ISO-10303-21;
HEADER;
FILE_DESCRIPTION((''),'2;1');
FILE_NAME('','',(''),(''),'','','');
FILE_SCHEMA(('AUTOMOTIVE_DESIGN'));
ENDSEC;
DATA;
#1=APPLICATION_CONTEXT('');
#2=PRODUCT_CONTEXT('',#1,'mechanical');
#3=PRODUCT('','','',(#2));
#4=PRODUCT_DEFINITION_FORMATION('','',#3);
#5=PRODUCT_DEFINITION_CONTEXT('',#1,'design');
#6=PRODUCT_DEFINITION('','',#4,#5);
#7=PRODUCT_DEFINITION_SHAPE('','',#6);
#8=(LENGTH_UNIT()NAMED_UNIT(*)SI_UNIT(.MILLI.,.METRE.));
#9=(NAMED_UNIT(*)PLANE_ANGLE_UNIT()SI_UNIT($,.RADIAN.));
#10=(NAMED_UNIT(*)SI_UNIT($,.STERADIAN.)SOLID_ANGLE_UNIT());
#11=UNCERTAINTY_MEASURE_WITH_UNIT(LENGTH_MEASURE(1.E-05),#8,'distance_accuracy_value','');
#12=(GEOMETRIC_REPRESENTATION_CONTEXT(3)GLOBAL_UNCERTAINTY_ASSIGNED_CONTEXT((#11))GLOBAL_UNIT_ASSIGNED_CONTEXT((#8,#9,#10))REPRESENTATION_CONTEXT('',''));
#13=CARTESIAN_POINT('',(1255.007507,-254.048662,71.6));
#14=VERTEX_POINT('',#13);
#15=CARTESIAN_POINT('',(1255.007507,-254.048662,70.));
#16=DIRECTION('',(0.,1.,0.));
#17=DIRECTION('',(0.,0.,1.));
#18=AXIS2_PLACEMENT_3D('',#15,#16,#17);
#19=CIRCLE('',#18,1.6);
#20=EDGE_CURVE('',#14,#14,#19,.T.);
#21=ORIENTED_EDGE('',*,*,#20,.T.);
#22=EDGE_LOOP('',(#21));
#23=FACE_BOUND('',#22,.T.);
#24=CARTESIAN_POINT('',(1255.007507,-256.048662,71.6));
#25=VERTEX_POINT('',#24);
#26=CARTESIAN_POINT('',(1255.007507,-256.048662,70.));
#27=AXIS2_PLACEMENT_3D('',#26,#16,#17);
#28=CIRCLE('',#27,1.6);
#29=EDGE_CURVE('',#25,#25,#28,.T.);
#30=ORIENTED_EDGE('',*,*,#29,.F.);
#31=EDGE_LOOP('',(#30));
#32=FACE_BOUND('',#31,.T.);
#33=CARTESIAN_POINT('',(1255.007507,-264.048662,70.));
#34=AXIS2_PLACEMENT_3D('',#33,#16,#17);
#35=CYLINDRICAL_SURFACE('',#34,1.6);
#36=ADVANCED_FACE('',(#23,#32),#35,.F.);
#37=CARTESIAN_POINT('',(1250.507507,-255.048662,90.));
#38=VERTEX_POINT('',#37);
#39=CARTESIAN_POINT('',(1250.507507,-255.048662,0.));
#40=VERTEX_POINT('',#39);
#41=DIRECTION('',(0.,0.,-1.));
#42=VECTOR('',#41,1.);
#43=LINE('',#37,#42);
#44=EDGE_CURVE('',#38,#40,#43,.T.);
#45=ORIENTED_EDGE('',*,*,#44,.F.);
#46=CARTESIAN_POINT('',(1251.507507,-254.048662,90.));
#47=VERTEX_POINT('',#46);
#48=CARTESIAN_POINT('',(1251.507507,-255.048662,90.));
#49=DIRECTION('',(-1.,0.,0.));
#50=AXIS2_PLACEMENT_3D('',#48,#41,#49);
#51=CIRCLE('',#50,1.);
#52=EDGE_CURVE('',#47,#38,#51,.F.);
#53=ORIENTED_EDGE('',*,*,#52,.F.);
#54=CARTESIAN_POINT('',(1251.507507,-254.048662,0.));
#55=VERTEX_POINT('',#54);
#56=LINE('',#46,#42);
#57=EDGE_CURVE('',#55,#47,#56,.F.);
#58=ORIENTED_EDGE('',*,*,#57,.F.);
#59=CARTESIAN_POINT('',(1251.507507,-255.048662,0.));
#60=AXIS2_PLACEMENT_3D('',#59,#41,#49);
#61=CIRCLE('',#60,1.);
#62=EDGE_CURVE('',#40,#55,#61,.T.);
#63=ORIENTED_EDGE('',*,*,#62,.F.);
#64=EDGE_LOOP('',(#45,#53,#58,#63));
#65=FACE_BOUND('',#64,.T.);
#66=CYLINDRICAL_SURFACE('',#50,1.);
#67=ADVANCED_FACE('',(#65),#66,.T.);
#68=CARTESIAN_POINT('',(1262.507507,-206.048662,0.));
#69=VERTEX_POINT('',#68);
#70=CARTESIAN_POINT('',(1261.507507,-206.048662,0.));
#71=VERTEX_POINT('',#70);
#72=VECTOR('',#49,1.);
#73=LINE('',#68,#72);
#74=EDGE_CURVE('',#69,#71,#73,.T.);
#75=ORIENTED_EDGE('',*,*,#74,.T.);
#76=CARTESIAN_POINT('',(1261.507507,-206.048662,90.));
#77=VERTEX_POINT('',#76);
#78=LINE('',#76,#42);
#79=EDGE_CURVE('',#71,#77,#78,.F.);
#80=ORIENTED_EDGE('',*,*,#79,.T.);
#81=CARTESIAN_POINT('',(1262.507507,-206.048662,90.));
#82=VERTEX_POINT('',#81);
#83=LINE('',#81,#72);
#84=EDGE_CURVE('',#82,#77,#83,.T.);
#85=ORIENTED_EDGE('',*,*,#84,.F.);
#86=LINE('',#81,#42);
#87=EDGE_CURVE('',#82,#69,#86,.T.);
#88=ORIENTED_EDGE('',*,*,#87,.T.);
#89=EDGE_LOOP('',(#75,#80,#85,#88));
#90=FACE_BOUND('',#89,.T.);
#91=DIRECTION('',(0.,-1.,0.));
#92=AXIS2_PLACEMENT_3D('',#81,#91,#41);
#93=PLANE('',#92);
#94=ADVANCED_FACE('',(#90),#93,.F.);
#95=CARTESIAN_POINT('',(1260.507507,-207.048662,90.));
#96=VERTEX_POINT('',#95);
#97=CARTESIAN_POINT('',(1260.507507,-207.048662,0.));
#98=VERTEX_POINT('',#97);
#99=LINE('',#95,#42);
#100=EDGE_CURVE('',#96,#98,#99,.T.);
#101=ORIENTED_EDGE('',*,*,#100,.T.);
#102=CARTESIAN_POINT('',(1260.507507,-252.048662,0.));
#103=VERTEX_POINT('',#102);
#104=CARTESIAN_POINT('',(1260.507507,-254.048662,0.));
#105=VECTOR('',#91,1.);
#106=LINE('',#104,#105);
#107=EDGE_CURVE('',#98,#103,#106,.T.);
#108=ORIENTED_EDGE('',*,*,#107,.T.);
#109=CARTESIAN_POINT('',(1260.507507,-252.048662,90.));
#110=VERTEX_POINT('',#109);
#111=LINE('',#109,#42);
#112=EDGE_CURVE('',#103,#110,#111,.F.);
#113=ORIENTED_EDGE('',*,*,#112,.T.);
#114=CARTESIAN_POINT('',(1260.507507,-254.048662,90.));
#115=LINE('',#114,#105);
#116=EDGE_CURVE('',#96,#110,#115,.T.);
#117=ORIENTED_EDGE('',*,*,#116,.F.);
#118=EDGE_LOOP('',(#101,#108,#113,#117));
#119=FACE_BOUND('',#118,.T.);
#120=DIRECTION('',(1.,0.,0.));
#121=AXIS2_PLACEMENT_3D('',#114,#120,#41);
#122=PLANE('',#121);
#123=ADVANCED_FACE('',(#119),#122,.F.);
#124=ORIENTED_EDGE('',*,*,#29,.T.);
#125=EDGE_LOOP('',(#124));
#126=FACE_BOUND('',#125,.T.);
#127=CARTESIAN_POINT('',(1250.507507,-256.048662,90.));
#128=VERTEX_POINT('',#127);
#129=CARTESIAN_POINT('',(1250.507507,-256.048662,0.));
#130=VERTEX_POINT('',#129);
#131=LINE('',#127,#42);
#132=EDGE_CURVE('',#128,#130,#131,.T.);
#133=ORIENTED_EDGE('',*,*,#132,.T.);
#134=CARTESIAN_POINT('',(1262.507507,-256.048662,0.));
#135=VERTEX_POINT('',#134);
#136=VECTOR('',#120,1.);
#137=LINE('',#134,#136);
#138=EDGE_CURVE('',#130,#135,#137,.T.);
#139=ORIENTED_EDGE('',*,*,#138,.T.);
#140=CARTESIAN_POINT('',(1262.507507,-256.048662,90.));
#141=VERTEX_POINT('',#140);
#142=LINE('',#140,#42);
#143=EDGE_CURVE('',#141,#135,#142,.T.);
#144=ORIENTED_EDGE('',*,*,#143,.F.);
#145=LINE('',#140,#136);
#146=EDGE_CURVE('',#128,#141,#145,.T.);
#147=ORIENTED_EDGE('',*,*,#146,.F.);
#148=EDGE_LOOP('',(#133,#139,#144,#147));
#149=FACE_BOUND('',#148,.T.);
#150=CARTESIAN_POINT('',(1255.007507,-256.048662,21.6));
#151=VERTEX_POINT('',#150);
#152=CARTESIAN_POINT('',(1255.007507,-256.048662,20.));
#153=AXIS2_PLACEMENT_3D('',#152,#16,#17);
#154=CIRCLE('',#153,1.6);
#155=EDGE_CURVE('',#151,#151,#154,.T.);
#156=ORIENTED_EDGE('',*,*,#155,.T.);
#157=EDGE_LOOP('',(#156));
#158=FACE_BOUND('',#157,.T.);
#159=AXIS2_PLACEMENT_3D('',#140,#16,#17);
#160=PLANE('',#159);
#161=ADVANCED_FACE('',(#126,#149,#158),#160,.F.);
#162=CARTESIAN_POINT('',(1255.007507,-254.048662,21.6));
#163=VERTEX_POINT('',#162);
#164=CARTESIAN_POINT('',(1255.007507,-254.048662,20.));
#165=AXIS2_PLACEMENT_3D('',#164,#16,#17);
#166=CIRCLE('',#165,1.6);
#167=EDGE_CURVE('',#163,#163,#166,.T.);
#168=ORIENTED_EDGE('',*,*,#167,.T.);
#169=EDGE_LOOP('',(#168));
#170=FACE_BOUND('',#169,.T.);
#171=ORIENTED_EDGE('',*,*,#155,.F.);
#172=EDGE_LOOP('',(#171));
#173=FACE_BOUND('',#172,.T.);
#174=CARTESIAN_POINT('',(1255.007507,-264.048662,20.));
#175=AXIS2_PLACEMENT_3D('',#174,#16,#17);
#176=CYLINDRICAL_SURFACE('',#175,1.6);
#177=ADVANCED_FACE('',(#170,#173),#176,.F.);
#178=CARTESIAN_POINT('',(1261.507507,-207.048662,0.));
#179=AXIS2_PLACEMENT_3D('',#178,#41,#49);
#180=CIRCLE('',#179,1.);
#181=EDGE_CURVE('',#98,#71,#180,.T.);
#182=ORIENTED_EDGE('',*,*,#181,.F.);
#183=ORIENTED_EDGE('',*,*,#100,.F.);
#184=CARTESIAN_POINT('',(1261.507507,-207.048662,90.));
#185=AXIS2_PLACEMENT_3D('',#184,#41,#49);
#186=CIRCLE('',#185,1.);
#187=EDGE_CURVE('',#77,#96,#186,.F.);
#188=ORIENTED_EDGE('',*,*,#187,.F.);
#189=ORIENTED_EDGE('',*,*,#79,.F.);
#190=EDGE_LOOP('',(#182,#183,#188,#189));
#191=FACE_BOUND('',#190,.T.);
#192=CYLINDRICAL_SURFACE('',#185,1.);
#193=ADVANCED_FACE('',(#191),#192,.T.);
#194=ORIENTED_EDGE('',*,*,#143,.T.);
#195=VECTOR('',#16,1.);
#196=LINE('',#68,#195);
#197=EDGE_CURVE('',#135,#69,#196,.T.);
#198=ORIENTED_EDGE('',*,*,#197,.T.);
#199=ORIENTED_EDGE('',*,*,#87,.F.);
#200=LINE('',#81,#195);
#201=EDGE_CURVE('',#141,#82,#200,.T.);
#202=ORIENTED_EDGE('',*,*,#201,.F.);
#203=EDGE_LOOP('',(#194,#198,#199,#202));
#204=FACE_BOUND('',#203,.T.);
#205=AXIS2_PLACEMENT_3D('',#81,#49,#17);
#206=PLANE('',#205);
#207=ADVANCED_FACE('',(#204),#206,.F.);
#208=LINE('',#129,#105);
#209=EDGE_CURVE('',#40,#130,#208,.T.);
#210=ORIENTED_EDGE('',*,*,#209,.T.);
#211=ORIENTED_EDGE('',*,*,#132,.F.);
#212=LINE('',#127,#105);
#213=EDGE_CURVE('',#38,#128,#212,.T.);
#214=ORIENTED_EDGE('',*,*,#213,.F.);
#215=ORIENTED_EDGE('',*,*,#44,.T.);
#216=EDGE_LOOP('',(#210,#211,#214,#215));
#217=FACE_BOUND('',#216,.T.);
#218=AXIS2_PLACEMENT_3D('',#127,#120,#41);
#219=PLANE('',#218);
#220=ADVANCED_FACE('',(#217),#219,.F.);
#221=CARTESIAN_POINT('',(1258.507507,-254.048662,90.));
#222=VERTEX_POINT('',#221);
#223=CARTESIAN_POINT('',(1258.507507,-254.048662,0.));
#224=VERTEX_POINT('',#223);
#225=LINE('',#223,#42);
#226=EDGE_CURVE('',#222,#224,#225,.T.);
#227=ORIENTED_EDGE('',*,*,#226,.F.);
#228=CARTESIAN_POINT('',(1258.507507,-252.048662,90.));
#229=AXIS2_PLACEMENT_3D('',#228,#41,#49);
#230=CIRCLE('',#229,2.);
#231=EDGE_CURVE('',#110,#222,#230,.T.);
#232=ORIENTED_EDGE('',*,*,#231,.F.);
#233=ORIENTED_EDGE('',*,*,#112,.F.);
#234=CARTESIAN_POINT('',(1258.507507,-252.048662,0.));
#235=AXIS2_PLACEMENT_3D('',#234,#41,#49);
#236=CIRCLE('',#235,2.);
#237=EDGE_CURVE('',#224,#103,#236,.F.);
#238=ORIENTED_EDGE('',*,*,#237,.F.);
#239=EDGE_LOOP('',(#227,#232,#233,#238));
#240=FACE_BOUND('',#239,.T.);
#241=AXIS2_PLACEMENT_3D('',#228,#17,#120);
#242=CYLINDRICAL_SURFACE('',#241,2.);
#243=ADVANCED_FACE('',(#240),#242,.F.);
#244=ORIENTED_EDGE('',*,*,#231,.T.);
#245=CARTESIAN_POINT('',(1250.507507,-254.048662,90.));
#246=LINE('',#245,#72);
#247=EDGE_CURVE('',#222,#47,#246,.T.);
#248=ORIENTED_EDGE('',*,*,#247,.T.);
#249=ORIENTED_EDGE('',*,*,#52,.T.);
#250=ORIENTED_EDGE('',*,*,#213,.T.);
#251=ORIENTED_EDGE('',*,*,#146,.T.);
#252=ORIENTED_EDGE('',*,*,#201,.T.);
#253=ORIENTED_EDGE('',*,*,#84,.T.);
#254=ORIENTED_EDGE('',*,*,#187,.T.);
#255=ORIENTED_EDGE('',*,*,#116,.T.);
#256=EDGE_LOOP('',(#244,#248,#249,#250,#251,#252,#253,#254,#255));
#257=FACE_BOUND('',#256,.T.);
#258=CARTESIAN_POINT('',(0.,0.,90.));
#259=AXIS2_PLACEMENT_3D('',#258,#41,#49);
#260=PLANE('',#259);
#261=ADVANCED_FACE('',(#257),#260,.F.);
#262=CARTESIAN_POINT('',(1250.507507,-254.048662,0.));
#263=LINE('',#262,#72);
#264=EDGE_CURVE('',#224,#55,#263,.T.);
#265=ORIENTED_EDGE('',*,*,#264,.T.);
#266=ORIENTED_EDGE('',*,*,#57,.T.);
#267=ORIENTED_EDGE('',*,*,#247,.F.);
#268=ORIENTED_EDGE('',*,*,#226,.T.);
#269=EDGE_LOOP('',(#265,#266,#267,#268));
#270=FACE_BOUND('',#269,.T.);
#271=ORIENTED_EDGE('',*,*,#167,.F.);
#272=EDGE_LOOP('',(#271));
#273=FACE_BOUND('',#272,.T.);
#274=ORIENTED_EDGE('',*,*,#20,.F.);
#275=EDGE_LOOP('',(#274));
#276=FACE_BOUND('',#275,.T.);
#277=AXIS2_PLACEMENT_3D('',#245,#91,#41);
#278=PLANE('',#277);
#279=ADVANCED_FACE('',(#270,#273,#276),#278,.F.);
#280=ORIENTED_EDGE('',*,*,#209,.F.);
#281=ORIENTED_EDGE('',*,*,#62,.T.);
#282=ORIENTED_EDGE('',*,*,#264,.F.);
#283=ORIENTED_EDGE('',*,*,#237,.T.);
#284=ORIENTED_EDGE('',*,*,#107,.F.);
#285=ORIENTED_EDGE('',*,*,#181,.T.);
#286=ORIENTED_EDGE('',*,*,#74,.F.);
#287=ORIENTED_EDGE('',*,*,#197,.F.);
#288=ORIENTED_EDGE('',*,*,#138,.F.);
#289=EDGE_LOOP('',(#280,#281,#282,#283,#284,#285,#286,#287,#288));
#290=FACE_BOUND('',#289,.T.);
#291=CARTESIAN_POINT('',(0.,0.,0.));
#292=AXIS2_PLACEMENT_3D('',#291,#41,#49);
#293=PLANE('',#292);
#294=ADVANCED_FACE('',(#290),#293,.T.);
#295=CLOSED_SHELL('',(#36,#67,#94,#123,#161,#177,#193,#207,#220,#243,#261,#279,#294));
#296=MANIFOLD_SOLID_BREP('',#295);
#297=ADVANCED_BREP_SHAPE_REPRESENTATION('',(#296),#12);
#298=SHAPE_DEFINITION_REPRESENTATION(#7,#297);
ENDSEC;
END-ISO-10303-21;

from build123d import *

# Parameters (mm, degrees)
BOSS_EXTRUDE1_DEPTH = 90
FILLET1_R           = 1
FILLET2_R           = 2
SKETCH2_R           = 1.6
CUT_EXTRUDE1_DEPTH  = 10


with BuildPart() as part:
    # Sketch1 → Boss-Extrude1 (new body)
    with BuildSketch(Plane.XY):
        Polygon((1262.507506827, -206.048661528), (1262.507506827, -256.048661528), (1250.507506827, -256.048661528), (1250.507506827, -254.048661528), (1260.507506827, -254.048661528), (1260.507506827, -206.048661528), align=None)
    extrude(amount=BOSS_EXTRUDE1_DEPTH)

    # Fillet1
    fillet1_edges = [part.edges().sort_by_distance(p)[0] for p in [
        (1250.507506827, -254.048661528, 45),
        (1260.507506827, -206.048661528, 45),
    ]]
    fillet(fillet1_edges, radius=FILLET1_R)

    # Fillet2
    fillet2_edges = [part.edges().sort_by_distance(p)[0] for p in [
        (1260.507506827, -254.048661528, 45),
    ]]
    fillet(fillet2_edges, radius=FILLET2_R)

    # Sketch2 → Cut-Extrude1 (cut)
    with BuildSketch(Plane(origin=(0, -254.048661528, 0), x_dir=(1, 0, 0), z_dir=(0, 1, 0))):
        with Locations(Location((1255.007506827, -70, 0), (0, 0, 270))):
            Circle(SKETCH2_R)
        with Locations(Location((1255.007506827, -20, 0), (0, 0, 270))):
            Circle(SKETCH2_R)
    extrude(amount=-CUT_EXTRUDE1_DEPTH, mode=Mode.SUBTRACT)


solid = part.part
